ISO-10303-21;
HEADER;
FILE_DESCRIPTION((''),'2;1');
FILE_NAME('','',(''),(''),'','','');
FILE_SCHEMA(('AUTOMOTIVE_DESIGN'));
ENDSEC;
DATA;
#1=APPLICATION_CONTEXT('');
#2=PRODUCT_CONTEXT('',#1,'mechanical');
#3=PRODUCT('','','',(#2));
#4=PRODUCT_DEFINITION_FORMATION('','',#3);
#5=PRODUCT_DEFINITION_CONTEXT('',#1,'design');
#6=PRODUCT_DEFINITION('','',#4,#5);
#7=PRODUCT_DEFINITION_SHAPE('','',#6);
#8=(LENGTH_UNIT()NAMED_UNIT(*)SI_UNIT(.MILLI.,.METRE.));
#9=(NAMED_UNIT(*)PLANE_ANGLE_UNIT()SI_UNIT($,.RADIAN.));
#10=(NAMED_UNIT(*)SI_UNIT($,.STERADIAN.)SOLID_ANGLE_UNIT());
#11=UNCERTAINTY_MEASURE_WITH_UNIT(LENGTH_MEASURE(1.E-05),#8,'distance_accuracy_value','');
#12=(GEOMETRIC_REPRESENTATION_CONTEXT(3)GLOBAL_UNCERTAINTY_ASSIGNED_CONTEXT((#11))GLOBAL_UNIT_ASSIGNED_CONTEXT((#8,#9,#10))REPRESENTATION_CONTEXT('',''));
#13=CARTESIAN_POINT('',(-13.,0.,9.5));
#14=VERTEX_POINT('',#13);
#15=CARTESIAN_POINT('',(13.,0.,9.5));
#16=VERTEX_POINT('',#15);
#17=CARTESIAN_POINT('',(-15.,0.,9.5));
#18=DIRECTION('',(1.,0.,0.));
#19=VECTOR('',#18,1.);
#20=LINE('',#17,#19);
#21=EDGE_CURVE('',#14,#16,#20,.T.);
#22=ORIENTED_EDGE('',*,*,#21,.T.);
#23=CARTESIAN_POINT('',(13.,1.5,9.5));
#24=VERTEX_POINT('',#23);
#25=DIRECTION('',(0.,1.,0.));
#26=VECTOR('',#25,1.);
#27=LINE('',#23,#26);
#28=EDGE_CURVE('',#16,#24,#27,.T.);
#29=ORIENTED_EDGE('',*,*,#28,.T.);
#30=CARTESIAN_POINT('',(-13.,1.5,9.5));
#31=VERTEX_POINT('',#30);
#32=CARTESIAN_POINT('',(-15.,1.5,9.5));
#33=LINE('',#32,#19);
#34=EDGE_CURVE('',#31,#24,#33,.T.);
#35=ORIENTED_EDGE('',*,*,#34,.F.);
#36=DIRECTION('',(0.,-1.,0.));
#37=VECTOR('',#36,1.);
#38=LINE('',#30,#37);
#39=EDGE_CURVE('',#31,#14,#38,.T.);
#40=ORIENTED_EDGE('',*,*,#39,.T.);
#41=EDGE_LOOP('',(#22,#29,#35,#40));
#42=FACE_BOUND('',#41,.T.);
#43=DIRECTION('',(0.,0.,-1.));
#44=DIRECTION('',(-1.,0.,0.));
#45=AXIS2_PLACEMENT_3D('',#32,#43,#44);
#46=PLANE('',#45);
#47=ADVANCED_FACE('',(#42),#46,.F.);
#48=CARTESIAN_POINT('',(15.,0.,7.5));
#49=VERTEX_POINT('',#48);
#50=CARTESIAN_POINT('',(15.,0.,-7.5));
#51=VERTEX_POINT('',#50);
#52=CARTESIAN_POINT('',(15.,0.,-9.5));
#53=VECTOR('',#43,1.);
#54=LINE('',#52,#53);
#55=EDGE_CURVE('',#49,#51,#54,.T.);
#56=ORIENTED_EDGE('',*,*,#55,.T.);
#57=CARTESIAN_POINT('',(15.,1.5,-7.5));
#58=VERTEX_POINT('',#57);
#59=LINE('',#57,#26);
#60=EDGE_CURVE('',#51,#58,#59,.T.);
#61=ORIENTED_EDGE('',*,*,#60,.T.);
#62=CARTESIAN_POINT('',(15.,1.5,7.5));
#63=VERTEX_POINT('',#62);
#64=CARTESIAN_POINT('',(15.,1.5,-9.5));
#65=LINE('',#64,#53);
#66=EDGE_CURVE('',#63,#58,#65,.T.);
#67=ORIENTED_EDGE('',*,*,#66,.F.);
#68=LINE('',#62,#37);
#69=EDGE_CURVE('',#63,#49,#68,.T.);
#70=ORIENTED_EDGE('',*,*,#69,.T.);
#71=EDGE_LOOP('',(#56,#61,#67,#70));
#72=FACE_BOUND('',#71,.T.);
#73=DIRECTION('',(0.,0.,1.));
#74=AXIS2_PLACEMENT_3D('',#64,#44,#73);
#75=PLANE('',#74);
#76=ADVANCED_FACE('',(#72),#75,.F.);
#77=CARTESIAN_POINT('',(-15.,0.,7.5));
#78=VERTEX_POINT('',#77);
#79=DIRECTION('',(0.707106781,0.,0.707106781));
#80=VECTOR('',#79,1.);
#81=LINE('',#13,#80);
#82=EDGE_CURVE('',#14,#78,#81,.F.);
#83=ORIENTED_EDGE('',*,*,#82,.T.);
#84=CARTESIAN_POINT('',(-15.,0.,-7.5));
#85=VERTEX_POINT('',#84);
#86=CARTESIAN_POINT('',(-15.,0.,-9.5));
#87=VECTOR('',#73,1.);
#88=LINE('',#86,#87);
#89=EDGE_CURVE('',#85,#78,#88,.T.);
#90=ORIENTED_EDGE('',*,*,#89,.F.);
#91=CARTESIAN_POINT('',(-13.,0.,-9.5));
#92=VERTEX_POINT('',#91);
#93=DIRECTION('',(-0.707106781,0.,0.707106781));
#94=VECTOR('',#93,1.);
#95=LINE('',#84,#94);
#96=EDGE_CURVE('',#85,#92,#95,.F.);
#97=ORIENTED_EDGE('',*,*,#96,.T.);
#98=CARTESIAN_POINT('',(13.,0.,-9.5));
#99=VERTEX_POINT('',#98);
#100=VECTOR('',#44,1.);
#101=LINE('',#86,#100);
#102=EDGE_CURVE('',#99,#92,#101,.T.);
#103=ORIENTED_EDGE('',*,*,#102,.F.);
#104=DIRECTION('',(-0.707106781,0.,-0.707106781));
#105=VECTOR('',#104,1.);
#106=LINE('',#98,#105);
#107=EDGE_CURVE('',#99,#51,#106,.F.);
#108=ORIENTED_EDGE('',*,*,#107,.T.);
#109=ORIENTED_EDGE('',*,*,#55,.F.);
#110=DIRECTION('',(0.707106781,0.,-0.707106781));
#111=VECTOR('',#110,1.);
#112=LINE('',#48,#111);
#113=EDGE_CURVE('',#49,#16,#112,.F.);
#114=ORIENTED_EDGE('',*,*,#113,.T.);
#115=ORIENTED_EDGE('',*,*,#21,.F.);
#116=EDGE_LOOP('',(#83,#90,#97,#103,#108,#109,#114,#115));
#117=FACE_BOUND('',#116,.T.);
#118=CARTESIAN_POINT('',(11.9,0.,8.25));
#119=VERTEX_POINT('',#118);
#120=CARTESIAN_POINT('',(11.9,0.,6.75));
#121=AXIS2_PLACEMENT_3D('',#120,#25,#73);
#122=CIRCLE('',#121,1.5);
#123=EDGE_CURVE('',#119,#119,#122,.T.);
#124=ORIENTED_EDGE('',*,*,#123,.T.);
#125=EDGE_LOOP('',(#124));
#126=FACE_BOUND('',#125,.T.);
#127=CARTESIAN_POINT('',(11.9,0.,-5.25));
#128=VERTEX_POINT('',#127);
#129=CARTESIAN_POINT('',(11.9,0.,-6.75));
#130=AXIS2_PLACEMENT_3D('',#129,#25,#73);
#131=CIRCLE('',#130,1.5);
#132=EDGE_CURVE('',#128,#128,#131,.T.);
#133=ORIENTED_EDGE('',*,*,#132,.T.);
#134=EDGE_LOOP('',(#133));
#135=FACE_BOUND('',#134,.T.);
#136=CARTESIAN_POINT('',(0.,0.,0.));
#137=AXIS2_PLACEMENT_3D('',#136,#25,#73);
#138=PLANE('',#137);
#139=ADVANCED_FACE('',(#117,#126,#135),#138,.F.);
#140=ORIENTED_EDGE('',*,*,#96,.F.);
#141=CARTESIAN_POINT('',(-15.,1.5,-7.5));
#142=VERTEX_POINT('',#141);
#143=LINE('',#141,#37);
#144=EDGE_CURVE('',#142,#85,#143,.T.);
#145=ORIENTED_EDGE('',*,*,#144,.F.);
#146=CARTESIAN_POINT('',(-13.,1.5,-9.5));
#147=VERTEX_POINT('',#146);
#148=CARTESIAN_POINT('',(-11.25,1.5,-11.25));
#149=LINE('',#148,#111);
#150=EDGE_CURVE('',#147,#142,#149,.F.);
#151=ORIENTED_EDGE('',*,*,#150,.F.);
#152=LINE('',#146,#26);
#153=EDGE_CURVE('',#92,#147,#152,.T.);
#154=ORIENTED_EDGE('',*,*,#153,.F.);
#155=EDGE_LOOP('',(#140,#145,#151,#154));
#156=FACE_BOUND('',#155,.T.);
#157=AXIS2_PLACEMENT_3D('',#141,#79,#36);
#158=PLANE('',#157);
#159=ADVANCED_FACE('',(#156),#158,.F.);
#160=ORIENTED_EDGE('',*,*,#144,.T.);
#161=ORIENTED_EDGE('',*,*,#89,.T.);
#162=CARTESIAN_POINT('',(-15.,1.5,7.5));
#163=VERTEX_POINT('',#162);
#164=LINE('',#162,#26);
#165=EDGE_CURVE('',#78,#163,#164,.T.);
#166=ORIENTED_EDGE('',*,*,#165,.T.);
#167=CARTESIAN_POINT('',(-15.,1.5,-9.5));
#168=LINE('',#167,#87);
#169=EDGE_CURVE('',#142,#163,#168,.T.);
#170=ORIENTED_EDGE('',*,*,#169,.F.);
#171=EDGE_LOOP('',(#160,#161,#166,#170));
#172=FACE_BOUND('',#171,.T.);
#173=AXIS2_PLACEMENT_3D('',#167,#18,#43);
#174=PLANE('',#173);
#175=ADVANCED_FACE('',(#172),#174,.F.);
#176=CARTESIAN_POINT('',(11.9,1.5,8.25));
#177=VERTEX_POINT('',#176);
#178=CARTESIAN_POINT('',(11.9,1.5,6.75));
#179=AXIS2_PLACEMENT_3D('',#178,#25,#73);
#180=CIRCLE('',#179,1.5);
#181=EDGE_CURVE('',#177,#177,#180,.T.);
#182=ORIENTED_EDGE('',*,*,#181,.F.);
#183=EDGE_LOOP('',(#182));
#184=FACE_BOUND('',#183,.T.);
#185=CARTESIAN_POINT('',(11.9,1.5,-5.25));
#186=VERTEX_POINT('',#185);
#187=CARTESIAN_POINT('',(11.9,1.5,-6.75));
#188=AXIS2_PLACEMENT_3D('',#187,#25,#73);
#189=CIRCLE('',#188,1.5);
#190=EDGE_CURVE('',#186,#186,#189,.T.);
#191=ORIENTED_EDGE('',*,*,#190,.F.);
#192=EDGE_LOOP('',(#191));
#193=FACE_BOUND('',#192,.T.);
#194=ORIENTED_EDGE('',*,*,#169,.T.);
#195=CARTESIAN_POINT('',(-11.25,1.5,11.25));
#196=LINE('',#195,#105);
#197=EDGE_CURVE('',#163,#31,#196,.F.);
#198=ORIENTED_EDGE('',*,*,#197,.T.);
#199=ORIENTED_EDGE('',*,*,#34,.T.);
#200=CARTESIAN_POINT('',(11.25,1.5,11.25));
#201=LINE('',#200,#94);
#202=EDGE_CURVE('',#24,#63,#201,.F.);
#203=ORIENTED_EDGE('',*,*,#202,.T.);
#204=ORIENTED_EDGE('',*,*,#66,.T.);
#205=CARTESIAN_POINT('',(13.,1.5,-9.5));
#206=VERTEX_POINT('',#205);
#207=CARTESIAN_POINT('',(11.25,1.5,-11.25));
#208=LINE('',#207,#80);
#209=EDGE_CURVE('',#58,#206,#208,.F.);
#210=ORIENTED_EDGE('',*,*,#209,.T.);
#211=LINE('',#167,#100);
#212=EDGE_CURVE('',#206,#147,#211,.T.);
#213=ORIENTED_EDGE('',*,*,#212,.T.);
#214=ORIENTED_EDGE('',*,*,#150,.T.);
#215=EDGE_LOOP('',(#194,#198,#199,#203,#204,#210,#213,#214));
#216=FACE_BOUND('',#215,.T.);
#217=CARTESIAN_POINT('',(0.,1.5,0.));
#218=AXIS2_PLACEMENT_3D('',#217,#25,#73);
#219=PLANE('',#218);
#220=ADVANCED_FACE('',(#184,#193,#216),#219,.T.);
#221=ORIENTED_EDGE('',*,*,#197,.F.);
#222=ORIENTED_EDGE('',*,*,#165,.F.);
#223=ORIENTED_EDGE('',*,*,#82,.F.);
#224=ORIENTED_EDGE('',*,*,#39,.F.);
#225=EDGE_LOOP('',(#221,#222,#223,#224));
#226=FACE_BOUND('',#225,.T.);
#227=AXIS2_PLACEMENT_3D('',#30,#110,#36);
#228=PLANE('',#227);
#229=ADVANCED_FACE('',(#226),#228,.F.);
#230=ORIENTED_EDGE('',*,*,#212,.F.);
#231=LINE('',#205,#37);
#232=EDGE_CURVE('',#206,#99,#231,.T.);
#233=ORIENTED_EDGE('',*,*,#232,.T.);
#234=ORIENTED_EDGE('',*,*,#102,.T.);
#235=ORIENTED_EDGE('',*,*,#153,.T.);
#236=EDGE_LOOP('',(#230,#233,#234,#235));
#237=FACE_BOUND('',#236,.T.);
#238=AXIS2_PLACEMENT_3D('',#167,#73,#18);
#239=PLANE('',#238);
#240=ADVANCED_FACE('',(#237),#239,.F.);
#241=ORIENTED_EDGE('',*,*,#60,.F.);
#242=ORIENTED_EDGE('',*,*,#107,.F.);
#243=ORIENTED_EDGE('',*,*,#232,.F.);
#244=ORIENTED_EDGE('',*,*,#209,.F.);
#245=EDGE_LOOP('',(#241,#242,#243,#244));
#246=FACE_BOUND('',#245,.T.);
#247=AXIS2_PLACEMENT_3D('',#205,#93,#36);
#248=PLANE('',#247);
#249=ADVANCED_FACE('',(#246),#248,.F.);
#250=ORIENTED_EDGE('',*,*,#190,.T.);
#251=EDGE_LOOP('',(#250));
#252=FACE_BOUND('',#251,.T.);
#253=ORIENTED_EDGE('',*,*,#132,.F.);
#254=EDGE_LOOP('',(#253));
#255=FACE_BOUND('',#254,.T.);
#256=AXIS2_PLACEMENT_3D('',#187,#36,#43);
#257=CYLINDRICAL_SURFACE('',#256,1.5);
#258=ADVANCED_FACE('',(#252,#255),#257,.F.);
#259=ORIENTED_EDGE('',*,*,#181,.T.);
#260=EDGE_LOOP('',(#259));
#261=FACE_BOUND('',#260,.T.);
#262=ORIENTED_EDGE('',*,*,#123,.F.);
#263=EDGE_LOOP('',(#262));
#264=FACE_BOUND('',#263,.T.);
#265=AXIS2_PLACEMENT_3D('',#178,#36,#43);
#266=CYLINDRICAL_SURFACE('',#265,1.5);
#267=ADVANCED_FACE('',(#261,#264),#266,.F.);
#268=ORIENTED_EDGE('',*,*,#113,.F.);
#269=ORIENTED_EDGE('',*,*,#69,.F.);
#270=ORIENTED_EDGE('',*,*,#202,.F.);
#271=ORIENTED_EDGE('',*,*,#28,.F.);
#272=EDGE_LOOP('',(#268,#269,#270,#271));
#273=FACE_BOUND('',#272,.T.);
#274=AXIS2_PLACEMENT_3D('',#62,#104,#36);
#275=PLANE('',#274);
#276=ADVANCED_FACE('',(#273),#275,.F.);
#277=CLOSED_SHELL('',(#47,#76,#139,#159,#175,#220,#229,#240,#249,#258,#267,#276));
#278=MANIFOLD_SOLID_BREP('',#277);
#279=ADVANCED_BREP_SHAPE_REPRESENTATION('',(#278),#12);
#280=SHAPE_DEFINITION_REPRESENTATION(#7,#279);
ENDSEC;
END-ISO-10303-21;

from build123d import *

# Parameters (mm, degrees)
SKETCH_1_W      = 30
SKETCH_1_H      = 19
SKETCH_1_R      = 1.5
EXTRUDE_1_DEPTH = 1.5
CHAMFER_1_SIZE  = 2


with BuildPart() as part:
    # Эскиз1 → Бобышка-Вытянуть1 (new body)
    with BuildSketch(Plane(origin=(0, 0, 0), x_dir=(1, 0, 0), z_dir=(0, 1, 0))):
        Rectangle(SKETCH_1_W, SKETCH_1_H)
        with Locations(Location((11.9, 6.75, 0), (0, 0, 270))):
            Circle(SKETCH_1_R, mode=Mode.SUBTRACT)
        with Locations(Location((11.9, -6.75, 0), (0, 0, 270))):
            Circle(SKETCH_1_R, mode=Mode.SUBTRACT)
    extrude(amount=EXTRUDE_1_DEPTH)

    # Фаска1
    chamfer_1_edges = [part.edges().sort_by_distance(p)[0] for p in [
        (-15, 0.75, -9.5),
        (15, 0.75, -9.5),
        (15, 0.75, 9.5),
        (-15, 0.75, 9.5),
    ]]
    chamfer(chamfer_1_edges, length=CHAMFER_1_SIZE)


solid = part.part
